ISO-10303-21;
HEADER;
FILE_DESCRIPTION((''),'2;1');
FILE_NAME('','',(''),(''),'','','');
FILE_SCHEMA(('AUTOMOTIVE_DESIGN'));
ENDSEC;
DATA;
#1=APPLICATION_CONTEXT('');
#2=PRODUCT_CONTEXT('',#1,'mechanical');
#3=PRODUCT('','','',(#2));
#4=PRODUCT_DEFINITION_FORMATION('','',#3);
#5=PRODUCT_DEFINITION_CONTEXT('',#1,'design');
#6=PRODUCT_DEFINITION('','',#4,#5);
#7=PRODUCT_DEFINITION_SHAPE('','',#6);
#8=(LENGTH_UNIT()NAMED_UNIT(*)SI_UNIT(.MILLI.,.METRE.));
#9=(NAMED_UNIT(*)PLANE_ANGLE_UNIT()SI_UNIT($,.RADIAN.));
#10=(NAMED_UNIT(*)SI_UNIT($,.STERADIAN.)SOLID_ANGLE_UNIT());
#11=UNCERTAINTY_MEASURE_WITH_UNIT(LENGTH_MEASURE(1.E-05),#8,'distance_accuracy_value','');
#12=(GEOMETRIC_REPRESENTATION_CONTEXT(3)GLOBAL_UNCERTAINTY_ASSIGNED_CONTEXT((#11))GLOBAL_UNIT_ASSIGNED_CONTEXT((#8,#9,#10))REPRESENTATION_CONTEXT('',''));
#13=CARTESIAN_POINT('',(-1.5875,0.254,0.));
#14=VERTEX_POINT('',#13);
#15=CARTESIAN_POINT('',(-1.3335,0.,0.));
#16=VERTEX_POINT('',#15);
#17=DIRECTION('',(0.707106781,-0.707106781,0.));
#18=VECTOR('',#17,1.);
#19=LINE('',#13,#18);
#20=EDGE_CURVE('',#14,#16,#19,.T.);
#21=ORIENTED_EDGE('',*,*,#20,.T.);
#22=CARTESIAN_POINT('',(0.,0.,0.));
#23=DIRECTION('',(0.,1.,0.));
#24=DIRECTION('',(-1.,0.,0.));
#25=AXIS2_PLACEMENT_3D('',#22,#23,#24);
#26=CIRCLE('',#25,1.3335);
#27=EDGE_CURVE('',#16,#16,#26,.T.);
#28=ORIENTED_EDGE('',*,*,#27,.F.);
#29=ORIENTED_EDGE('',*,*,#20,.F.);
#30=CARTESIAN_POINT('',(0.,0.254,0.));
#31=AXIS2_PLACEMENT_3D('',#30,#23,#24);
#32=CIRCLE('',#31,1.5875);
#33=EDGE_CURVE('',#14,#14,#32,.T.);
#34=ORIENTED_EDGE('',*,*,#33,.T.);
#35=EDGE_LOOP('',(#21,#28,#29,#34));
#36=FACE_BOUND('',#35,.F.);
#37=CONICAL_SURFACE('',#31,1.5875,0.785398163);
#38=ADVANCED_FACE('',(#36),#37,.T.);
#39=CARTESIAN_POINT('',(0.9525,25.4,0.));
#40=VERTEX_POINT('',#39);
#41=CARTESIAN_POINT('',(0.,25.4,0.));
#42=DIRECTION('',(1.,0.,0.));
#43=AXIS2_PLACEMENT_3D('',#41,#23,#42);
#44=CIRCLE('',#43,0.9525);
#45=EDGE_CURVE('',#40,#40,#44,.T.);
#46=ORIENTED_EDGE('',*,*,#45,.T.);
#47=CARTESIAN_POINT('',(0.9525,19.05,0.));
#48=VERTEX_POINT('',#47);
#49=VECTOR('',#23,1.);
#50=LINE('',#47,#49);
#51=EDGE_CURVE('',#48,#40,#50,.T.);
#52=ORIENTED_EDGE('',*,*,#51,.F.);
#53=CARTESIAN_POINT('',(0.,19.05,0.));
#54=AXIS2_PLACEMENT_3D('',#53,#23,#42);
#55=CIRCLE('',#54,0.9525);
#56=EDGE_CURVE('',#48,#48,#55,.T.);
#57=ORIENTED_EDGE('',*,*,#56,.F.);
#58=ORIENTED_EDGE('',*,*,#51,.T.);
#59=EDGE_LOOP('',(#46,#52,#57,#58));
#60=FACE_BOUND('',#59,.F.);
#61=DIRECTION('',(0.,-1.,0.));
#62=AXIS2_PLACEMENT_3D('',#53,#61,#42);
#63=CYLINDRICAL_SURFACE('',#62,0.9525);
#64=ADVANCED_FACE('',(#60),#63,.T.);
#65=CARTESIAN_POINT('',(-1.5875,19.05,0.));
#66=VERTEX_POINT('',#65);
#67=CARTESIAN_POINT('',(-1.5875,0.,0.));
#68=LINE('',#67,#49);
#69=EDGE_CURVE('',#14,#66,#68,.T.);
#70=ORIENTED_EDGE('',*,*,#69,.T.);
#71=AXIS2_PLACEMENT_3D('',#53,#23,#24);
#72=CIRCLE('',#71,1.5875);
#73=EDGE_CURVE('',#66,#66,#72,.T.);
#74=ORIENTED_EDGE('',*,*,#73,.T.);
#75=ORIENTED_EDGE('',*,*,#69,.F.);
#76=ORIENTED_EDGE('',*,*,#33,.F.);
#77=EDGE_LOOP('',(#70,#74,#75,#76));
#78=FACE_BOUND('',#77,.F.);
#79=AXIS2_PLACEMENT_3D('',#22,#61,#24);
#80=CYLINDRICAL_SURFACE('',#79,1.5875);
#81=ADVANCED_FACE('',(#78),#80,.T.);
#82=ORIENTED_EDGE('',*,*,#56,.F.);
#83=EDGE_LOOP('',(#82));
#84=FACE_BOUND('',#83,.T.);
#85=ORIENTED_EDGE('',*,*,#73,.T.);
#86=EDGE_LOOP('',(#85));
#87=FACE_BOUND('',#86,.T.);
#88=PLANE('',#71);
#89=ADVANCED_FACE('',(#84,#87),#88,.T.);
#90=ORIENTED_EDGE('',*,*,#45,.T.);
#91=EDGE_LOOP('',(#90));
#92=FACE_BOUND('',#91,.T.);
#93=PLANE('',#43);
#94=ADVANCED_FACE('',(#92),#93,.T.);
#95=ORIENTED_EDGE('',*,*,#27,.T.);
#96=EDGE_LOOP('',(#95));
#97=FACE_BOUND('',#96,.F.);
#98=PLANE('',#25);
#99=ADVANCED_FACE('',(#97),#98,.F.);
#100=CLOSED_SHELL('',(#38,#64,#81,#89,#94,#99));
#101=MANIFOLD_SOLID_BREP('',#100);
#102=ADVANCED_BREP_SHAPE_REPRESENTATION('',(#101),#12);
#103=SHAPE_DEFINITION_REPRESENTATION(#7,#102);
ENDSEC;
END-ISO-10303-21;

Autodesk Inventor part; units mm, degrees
ref_plane "YZ Plane" through (0, 0, 0) normal (1, 0, 0) x (0, 1, 0)
ref_plane "XZ Plane" through (0, 0, 0) normal (0, 1, 0) x (-1, 0, 0)
ref_plane "XY Plane" through (0, 0, 0) normal (0, 0, 1) x (1, 0, 0)
sketch "Sketch1" plane through (0, 0, 0) normal (0, 1, 0) x (-1, 0, 0)
  circle A0 centre (0, 0) radius 1.5875
  dimension "d0" = 3.175
extrude "Extrusion1" add sketch "Sketch1" along normal blind 19.05
thread "Thread1"
chamfer "Chamfer1" distance 0.254 angle 45 1 edges at (1.5875, 0, 0)
sketch "Sketch3" plane through (0, 0, 0) normal (1, 0, 0) x (0, 1, 0)
  point P0 (0, 0)
sketch "Sketch4" plane through (0, 19.05, 0) normal (0, 1, 0) x (1, 0, 0)
  circle A0 centre (0, 0) radius 0.9525
  dimension "d11" = 1.905
extrude "Extrusion3" add sketch "Sketch4" along normal blind 6.35
properties part number "burner_rod_1or3"
